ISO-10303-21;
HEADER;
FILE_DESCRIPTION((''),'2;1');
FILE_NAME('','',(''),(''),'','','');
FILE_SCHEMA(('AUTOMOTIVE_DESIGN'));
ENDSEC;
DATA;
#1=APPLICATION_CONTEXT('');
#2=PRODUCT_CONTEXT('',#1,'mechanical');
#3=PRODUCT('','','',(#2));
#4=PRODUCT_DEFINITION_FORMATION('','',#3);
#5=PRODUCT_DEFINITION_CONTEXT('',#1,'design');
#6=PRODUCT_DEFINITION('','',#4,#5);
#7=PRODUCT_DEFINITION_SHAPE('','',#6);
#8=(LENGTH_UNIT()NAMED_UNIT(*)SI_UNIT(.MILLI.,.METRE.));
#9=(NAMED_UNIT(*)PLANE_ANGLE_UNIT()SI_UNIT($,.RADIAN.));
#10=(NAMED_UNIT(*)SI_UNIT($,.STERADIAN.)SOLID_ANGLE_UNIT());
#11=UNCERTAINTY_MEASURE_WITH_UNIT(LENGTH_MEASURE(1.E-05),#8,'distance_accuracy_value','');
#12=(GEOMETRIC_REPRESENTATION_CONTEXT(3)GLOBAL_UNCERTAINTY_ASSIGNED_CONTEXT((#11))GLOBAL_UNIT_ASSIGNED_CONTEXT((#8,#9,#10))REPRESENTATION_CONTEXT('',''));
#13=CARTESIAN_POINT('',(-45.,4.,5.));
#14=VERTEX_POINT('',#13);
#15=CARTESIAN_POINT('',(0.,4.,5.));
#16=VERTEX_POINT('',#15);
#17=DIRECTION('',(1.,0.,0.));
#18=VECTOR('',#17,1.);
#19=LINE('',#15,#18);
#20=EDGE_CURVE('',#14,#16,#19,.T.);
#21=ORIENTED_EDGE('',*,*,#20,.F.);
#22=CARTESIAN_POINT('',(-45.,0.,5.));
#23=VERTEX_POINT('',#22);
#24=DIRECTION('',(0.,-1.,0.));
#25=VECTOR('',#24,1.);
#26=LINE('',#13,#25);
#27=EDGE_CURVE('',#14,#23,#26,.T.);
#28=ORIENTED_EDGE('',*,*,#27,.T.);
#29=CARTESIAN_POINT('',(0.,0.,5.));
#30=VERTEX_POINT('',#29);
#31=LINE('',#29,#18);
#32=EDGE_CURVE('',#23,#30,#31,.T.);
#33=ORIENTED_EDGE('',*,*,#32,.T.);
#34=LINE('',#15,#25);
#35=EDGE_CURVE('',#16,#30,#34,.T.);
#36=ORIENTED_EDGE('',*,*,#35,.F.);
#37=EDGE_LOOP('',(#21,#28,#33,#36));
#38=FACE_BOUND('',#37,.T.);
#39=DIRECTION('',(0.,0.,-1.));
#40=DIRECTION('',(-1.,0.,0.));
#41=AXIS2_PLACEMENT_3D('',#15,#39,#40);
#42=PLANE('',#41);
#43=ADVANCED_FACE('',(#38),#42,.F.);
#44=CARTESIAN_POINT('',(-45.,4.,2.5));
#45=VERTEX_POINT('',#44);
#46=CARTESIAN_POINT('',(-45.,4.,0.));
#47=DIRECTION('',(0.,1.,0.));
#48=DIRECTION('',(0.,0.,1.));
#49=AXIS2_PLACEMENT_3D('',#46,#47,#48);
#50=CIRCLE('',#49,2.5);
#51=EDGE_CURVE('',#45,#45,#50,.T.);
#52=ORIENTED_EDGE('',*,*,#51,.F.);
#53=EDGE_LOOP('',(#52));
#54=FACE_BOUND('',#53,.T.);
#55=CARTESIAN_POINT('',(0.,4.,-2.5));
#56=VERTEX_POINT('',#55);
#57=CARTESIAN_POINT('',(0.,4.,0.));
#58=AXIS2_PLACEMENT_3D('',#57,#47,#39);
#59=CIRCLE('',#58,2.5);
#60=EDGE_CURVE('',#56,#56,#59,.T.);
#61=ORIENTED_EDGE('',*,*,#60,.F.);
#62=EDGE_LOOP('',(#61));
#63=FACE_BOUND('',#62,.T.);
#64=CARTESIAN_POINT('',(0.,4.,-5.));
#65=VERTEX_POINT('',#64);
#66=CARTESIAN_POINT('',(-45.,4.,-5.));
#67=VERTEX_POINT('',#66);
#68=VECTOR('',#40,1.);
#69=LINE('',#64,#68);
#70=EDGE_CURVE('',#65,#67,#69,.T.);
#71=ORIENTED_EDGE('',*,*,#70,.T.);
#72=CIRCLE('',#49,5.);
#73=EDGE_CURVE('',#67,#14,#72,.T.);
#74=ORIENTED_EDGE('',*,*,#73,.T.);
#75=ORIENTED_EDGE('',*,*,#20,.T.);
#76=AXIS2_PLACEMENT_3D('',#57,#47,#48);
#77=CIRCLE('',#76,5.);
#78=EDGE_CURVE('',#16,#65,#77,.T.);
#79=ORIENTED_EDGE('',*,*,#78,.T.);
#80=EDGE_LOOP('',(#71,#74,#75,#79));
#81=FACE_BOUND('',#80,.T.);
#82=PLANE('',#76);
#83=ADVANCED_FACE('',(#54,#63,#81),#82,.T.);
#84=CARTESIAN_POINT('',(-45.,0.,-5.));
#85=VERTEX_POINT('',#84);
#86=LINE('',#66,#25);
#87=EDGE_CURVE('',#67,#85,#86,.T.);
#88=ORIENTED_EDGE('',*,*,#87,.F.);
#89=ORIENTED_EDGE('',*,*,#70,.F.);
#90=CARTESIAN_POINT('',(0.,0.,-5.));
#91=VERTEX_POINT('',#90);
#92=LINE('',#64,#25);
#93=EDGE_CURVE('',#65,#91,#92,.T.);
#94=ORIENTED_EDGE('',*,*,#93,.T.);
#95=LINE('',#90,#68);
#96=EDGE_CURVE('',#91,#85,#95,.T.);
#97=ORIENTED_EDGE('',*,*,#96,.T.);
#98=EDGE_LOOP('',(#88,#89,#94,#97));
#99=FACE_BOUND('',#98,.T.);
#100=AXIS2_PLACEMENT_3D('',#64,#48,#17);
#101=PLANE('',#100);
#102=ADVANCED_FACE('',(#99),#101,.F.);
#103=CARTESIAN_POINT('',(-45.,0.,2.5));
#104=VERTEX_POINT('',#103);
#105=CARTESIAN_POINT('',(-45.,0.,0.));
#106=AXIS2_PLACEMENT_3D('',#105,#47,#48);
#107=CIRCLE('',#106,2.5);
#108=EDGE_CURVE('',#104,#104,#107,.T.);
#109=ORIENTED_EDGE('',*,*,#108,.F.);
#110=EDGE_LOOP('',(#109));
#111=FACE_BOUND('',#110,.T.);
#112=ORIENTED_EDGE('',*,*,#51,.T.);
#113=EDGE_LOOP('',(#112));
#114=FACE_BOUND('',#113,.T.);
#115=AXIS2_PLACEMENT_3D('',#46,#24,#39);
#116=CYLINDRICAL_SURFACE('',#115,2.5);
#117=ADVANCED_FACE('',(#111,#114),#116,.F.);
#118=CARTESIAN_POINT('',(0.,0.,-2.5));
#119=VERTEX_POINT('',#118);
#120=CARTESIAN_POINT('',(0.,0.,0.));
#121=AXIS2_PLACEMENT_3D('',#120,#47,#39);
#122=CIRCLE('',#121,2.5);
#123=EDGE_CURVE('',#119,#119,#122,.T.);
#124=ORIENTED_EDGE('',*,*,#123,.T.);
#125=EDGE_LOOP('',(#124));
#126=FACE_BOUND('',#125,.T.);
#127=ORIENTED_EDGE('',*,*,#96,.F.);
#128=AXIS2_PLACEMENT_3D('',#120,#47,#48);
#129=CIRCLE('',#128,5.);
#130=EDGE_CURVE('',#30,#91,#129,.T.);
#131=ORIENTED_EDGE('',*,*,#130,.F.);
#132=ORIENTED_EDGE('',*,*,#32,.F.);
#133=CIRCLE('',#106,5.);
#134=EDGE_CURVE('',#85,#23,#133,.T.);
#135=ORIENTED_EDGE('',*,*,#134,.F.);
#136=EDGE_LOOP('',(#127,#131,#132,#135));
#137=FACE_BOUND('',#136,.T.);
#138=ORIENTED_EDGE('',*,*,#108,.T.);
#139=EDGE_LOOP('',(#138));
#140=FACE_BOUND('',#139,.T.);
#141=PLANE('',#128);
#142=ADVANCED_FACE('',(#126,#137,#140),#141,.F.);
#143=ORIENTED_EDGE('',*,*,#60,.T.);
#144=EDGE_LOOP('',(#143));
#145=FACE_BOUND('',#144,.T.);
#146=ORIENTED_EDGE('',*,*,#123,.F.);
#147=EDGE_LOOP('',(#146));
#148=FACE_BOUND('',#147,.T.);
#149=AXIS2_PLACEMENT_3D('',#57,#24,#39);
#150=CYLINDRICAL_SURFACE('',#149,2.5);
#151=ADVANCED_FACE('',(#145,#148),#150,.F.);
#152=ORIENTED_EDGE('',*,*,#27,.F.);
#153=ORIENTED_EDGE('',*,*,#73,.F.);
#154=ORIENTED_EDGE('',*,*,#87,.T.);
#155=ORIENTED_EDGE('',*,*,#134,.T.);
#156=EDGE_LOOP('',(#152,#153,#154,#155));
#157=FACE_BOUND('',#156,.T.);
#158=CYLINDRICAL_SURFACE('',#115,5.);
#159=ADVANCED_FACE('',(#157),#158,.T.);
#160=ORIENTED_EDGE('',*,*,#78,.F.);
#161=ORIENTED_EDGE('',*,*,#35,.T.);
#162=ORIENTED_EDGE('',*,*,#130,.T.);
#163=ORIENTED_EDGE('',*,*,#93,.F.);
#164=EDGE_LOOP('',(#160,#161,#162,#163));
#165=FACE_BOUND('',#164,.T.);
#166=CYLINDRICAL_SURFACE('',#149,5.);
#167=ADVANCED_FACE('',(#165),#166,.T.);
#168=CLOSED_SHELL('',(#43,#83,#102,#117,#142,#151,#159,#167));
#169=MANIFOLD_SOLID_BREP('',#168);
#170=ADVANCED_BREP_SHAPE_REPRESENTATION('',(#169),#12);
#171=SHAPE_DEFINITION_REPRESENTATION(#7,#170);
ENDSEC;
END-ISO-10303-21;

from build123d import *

# Parameters (mm, degrees)
SKETCH1_R           = 2.5
BOSS_EXTRUDE1_DEPTH = 4


with BuildPart() as part:
    # Sketch1 → Boss-Extrude1 (new body)
    with BuildSketch(Plane(origin=(0, 0, 0), x_dir=(1, 0, 0), z_dir=(0, 1, 0))):
        with BuildLine():
            Line((0, -5), (-45, -5))
            ThreePointArc((-45, -5), (-50, 0), (-45, 5))
            Line((-45, 5), (0, 5))
            ThreePointArc((0, 5), (5, 0), (0, -5))
        make_face()
        with Locations(Location((-45, 0, 0), (0, 0, 270))):
            Circle(SKETCH1_R, mode=Mode.SUBTRACT)
        with Locations(Location((0, 0, 0), (0, 0, 90))):
            Circle(SKETCH1_R, mode=Mode.SUBTRACT)
    extrude(amount=BOSS_EXTRUDE1_DEPTH)


solid = part.part
